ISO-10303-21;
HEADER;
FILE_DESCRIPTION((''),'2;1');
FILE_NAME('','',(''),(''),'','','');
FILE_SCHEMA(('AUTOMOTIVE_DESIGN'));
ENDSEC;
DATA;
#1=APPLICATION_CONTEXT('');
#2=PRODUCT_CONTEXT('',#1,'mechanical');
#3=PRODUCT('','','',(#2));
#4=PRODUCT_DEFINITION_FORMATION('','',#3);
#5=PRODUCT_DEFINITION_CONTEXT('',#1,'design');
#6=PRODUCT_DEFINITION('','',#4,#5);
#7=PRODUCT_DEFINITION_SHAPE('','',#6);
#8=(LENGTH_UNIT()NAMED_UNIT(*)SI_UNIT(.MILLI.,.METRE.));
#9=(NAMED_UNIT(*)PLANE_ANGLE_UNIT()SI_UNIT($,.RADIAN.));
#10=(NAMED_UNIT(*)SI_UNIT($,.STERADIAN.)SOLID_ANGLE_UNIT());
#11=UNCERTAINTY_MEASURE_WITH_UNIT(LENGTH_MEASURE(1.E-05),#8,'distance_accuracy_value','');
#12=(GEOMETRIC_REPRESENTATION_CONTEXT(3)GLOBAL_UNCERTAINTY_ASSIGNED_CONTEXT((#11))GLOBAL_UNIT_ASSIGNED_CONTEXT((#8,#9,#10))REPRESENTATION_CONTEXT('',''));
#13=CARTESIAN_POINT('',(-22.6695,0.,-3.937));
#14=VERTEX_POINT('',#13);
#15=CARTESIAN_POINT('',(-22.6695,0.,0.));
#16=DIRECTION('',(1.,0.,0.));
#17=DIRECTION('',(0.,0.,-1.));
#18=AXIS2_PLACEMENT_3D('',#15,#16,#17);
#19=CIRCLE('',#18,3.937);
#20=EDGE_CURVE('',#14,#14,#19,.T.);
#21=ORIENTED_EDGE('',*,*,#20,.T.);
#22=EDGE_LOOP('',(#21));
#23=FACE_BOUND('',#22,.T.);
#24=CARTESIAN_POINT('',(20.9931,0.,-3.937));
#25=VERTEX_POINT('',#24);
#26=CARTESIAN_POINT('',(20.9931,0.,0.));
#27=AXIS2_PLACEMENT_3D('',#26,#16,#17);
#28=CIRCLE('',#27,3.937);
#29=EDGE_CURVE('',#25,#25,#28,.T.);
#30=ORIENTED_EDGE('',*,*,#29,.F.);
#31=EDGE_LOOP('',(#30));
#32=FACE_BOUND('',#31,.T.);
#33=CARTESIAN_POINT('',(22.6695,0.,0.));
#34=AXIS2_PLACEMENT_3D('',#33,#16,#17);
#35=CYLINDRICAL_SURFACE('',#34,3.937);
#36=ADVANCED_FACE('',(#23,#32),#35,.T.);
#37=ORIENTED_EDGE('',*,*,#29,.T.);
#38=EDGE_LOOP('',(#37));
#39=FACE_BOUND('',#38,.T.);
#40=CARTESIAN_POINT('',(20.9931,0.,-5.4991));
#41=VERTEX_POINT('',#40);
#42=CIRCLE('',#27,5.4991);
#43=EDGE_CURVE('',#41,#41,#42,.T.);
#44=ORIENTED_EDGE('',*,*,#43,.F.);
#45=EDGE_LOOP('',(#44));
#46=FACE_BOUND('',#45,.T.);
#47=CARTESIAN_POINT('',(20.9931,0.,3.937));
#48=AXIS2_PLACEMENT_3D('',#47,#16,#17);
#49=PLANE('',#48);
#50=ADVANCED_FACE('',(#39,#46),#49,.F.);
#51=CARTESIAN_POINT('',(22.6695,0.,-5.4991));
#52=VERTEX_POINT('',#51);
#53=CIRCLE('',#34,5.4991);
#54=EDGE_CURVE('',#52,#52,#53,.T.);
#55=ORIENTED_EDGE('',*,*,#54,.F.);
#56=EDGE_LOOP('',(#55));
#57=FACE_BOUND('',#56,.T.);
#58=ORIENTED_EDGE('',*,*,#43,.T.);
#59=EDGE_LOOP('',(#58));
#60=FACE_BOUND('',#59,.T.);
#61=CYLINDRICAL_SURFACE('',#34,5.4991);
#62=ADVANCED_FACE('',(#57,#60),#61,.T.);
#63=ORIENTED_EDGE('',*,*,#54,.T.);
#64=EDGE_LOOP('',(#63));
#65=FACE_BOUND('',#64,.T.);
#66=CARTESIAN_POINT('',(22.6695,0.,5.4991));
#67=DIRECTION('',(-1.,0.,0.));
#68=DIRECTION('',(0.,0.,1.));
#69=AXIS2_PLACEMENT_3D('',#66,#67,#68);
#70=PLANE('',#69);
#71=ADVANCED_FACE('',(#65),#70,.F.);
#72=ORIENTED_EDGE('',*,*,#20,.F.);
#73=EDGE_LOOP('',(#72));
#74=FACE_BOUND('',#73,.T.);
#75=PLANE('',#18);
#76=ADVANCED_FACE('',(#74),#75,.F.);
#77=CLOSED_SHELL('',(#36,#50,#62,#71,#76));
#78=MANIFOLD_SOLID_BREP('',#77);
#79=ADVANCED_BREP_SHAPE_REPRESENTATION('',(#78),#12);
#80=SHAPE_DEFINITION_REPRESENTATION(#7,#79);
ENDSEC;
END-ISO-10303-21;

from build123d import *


with BuildPart() as part:
    # Sketch2 → Revolve1 (revolve)
    with BuildSketch(Plane(origin=(0, 0, 0), x_dir=(1, 0, 0), z_dir=(0, 1, 0))):
        Polygon((-22.6695, -3.937), (20.9931, -3.937), (20.9931, -5.4991), (22.6695, -5.4991), (22.6695, 0), (-22.6695, 0), align=None)
    revolve(axis=Axis((22.6695, 0, 0), (-1, 0, 0)))


solid = part.part
